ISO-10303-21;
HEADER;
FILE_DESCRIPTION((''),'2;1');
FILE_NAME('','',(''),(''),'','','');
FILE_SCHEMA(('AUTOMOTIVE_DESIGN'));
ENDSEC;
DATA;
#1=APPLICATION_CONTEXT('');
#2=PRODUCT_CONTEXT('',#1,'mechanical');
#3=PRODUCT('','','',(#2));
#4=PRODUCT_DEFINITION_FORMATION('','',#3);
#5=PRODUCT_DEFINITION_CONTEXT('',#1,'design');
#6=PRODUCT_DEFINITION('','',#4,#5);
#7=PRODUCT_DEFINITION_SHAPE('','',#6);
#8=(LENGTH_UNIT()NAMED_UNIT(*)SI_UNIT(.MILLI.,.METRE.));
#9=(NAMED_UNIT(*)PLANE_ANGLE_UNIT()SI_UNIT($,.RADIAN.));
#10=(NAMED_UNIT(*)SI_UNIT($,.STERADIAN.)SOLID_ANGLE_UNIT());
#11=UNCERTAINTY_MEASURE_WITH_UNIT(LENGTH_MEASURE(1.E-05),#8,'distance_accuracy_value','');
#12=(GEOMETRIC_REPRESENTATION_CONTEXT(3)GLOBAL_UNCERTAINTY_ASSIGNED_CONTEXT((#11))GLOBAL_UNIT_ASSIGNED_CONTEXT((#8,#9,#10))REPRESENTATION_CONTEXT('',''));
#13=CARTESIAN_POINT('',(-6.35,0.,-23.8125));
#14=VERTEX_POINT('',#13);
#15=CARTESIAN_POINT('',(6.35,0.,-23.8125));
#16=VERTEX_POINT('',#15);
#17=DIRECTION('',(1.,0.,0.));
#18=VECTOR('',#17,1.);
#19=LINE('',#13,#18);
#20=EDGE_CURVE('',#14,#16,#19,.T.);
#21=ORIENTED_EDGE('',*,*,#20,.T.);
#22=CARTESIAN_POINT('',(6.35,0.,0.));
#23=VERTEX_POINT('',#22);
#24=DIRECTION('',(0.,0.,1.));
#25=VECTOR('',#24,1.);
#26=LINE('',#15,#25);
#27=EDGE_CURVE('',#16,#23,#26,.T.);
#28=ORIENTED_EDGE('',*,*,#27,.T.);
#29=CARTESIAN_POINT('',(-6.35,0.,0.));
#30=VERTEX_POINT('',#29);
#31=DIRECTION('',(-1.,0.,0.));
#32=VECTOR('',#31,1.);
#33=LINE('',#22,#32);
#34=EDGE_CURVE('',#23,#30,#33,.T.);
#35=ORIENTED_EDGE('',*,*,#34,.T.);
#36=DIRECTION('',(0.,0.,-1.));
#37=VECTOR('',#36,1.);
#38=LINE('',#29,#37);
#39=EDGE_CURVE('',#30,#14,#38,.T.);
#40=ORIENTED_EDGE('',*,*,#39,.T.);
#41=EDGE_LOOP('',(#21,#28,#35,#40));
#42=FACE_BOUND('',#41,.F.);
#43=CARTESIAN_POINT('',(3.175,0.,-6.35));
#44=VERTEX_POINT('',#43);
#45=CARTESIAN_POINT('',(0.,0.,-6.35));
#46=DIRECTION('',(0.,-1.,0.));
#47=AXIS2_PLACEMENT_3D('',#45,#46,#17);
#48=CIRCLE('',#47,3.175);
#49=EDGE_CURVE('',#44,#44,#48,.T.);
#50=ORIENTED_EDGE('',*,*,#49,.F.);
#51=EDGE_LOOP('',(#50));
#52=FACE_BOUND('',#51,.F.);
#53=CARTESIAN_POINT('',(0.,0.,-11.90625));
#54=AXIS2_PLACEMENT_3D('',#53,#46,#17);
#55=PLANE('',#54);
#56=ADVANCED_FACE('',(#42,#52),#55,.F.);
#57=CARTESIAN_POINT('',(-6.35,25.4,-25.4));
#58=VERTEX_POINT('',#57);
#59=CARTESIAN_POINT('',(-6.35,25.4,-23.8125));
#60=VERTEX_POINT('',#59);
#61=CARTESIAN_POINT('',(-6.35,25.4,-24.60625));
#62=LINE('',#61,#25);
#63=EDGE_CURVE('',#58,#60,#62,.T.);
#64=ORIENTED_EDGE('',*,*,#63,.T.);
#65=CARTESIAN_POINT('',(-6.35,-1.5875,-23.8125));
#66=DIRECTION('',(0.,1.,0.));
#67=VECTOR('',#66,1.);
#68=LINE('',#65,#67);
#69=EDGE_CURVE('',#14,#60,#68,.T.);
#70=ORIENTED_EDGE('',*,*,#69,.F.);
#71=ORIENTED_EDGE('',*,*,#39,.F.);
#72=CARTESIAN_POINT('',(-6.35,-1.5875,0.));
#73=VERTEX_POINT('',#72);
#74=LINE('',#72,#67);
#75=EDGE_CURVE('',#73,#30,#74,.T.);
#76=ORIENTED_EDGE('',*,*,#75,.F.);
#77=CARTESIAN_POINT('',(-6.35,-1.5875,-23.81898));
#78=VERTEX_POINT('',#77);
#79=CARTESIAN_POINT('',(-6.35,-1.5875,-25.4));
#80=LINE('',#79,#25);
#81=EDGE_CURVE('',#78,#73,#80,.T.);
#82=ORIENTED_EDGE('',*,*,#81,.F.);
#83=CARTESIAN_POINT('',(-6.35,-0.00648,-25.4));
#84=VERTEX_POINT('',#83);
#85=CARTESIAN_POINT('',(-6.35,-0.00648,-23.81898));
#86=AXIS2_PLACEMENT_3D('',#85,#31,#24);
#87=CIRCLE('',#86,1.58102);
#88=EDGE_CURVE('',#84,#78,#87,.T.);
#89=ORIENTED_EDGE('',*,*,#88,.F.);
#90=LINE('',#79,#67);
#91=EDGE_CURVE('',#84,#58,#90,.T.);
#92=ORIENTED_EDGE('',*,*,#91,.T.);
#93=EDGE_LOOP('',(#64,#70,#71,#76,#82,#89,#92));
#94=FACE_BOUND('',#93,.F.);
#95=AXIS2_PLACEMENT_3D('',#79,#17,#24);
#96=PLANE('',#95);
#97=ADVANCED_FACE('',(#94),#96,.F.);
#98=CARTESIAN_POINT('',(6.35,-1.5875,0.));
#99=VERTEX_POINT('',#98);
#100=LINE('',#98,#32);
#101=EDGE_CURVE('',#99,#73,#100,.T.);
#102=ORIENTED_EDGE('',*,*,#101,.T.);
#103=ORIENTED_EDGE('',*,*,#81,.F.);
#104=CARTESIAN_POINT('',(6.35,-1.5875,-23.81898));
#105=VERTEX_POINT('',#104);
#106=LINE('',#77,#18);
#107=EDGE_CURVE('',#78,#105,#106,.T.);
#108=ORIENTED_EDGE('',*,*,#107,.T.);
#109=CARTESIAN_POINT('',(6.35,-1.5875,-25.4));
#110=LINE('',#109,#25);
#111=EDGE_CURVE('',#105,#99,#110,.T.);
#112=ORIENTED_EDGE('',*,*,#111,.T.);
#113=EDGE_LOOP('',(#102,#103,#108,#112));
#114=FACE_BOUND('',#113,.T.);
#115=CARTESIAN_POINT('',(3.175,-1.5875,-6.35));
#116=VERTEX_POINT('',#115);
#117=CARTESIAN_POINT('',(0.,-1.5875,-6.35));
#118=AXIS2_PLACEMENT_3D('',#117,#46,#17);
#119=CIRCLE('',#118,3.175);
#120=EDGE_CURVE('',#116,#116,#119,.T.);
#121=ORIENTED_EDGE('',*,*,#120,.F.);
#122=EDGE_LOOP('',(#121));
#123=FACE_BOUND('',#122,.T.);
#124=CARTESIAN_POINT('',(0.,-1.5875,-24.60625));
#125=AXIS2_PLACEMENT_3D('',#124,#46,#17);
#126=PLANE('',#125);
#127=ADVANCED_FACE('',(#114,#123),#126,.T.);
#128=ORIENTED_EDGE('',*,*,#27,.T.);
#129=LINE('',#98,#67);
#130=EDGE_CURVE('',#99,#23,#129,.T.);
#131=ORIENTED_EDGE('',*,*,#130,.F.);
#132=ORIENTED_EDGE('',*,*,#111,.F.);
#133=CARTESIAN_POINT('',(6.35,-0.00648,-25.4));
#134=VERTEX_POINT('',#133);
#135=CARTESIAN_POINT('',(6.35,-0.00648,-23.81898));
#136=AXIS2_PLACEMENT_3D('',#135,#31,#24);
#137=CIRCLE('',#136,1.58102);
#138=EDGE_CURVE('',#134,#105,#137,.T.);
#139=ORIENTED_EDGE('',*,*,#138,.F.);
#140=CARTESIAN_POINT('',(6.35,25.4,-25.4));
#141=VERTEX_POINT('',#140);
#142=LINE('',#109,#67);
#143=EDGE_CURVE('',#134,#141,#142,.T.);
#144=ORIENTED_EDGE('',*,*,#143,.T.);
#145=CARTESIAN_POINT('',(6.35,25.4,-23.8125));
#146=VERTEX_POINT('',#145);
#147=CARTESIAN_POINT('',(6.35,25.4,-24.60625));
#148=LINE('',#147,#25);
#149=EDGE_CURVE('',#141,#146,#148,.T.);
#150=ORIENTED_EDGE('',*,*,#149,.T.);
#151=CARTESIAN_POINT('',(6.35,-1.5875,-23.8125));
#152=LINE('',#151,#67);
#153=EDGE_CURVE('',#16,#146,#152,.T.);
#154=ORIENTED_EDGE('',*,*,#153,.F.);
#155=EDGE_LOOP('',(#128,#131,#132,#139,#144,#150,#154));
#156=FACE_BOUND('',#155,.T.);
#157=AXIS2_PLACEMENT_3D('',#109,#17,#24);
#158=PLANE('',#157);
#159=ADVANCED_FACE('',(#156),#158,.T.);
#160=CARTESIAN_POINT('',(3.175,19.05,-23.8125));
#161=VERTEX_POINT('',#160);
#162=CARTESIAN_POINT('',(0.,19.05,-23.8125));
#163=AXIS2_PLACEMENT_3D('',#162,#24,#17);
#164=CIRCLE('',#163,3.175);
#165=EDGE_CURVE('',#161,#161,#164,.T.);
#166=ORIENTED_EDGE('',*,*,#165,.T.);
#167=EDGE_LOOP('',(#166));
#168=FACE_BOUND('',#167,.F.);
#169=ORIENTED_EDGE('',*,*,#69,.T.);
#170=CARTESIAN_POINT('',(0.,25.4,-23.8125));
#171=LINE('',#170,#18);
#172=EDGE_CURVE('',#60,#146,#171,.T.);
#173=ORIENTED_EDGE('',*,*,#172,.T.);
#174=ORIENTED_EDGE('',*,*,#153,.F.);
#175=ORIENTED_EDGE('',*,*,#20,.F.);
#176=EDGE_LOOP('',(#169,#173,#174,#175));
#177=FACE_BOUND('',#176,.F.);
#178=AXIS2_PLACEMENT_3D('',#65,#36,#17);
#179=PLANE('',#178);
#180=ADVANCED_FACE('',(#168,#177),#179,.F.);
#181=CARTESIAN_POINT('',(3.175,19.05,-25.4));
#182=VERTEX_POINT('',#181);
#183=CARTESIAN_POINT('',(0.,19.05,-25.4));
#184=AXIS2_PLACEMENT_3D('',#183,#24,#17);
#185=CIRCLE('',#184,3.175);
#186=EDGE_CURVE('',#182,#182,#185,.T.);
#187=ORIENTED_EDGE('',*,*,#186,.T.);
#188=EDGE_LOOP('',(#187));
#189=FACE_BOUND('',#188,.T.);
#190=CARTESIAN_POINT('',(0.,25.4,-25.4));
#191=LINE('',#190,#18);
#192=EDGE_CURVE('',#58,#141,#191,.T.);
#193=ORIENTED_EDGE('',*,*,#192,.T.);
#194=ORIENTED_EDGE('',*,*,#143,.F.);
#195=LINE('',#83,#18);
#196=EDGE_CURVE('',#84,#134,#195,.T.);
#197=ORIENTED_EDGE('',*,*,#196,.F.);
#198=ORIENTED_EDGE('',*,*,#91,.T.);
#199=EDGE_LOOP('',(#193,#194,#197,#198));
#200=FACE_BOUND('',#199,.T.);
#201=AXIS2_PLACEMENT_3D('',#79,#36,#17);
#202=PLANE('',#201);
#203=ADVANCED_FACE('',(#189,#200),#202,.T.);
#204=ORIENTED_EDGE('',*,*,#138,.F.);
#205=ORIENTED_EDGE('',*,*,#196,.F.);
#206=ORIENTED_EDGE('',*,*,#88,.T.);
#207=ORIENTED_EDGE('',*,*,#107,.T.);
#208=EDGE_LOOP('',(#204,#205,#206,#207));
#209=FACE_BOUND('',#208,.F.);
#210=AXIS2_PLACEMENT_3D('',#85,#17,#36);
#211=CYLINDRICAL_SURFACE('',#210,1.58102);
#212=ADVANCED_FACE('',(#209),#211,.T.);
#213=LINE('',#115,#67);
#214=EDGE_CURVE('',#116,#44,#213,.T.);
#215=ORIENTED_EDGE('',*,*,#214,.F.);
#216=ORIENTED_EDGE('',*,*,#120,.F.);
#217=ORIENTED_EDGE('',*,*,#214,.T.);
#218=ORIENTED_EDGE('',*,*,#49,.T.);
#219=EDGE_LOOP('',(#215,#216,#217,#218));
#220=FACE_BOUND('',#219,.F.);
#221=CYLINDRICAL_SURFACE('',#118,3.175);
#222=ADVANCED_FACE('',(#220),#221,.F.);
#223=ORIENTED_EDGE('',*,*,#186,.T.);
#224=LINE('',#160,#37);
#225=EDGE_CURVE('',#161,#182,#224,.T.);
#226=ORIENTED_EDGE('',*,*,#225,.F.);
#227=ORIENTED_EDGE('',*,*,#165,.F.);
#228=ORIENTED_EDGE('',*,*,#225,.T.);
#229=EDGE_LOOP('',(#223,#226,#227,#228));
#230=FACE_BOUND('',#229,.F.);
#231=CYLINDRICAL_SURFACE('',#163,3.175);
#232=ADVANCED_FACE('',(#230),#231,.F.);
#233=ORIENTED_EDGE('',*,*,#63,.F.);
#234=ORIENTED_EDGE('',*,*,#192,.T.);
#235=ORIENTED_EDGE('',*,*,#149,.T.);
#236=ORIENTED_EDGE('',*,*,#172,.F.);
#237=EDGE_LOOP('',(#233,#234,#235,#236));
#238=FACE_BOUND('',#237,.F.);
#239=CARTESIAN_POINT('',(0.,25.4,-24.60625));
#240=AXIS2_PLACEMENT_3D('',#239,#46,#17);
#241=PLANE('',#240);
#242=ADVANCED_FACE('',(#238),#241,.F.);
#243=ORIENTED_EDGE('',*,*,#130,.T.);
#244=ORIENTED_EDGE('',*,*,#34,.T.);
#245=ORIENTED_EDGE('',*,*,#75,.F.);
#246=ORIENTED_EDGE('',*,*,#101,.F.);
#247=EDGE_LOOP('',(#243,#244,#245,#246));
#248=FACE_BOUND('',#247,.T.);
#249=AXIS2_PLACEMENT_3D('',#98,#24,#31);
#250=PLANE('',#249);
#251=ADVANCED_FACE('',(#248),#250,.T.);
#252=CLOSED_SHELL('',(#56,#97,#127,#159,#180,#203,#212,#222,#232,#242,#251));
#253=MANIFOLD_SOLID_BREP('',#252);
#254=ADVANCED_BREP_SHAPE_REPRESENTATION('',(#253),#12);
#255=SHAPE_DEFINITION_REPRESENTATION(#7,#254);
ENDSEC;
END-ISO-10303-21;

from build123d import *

# Parameters (mm, degrees)
F1_R     = 3.175
F2_DEPTH = 1.5875
F1_W     = 12.7
F1_H     = 1.5875
F3_DEPTH = 26.9875
F4_R     = 3.175
F5_DEPTH = 1.5875
F6_R     = 1.58102


with BuildPart() as f2:
    # F1 (on offset) → F2 (new body)
    with BuildSketch(Plane.XZ.offset(1.5875)):
        Polygon((6.35, 0), (0, 0), (-6.35, 0), (-6.35, -23.8125), (6.35, -23.8125), align=None)
        with Locations((0, -6.35)):
            Circle(F1_R, mode=Mode.SUBTRACT)
    extrude(amount=-F2_DEPTH)

    # F1 (on offset) → F3 (join)
    with BuildSketch(Plane.XZ.offset(1.5875)):
        with Locations((0, -24.60625)):
            Rectangle(F1_W, F1_H)
    extrude(amount=-F3_DEPTH)

    # F4 (on face) → F5 (cut)
    with BuildSketch(Plane.XY.offset(-23.8125)):
        with Locations((0, 19.05)):
            Circle(F4_R)
    extrude(amount=-F5_DEPTH, mode=Mode.SUBTRACT)

    # F6
    f6_edges = [f2.edges().sort_by_distance(p)[0] for p in [
        (0, -1.5875, -25.4),
    ]]
    fillet(f6_edges, radius=F6_R)


solid = f2.part
